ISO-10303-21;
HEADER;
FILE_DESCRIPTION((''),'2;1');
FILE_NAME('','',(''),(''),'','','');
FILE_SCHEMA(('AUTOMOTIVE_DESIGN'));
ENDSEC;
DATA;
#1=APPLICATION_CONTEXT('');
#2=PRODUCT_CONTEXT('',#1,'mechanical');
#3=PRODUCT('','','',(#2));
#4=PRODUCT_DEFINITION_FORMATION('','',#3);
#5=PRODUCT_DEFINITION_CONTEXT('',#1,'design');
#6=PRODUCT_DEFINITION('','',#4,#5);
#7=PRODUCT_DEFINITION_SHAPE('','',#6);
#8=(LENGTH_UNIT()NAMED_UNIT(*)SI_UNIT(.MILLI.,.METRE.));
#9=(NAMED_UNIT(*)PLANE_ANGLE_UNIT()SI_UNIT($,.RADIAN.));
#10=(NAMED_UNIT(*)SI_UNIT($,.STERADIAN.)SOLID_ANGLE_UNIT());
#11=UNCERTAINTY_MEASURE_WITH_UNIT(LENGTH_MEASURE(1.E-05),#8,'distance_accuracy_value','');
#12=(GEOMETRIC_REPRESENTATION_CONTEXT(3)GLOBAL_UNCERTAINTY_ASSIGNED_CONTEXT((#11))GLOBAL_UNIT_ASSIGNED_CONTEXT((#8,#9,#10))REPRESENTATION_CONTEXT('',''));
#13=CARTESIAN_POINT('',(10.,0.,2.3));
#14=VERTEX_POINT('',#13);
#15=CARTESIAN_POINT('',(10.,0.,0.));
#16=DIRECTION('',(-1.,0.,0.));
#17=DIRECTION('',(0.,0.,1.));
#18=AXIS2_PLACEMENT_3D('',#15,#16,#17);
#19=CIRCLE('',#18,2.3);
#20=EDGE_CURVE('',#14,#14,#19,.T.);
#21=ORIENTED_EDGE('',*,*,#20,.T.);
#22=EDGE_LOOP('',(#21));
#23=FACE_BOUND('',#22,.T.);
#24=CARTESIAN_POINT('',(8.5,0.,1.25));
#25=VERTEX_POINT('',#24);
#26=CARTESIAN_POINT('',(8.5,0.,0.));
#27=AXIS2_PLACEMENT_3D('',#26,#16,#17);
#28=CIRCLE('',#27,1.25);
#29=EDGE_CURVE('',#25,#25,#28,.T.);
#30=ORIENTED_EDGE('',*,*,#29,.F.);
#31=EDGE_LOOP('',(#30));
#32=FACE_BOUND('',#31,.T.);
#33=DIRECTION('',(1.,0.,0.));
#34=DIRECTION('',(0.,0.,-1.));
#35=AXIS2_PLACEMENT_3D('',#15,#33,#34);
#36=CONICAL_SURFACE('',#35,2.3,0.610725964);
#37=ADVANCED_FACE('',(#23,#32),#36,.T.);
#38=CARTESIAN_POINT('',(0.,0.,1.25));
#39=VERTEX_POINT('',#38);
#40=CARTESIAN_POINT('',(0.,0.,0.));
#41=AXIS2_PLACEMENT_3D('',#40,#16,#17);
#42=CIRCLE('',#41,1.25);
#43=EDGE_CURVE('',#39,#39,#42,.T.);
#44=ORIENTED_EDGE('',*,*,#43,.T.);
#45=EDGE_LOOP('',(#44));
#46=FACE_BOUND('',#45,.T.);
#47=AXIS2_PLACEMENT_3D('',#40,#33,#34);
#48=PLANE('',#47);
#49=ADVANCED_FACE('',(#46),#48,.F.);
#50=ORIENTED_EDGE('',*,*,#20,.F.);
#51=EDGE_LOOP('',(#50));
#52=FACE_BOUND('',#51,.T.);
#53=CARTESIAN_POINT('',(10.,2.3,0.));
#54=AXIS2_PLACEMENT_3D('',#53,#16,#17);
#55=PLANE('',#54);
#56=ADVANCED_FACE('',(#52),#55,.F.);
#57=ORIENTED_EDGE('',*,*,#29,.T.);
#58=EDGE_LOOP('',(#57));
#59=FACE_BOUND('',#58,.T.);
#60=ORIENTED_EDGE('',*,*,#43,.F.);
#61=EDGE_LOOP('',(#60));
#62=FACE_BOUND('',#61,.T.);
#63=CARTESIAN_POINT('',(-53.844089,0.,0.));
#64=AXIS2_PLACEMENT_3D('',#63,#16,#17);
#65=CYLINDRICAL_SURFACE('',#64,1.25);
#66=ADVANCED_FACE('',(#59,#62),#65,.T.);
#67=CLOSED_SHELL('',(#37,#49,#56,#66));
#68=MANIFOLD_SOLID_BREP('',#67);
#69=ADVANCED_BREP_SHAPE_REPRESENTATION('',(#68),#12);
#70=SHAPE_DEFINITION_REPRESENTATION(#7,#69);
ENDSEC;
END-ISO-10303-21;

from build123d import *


with BuildPart() as part:
    # 草图1 → 旋转1 (revolve)
    with BuildSketch(Plane.XY):
        Polygon((0, 0), (0, 1.25), (8.5, 1.25), (10, 2.3), (10, 0), align=None)
    revolve(axis=Axis((-53.844089168, 0, 0), (1, 0, 0)))


solid = part.part
